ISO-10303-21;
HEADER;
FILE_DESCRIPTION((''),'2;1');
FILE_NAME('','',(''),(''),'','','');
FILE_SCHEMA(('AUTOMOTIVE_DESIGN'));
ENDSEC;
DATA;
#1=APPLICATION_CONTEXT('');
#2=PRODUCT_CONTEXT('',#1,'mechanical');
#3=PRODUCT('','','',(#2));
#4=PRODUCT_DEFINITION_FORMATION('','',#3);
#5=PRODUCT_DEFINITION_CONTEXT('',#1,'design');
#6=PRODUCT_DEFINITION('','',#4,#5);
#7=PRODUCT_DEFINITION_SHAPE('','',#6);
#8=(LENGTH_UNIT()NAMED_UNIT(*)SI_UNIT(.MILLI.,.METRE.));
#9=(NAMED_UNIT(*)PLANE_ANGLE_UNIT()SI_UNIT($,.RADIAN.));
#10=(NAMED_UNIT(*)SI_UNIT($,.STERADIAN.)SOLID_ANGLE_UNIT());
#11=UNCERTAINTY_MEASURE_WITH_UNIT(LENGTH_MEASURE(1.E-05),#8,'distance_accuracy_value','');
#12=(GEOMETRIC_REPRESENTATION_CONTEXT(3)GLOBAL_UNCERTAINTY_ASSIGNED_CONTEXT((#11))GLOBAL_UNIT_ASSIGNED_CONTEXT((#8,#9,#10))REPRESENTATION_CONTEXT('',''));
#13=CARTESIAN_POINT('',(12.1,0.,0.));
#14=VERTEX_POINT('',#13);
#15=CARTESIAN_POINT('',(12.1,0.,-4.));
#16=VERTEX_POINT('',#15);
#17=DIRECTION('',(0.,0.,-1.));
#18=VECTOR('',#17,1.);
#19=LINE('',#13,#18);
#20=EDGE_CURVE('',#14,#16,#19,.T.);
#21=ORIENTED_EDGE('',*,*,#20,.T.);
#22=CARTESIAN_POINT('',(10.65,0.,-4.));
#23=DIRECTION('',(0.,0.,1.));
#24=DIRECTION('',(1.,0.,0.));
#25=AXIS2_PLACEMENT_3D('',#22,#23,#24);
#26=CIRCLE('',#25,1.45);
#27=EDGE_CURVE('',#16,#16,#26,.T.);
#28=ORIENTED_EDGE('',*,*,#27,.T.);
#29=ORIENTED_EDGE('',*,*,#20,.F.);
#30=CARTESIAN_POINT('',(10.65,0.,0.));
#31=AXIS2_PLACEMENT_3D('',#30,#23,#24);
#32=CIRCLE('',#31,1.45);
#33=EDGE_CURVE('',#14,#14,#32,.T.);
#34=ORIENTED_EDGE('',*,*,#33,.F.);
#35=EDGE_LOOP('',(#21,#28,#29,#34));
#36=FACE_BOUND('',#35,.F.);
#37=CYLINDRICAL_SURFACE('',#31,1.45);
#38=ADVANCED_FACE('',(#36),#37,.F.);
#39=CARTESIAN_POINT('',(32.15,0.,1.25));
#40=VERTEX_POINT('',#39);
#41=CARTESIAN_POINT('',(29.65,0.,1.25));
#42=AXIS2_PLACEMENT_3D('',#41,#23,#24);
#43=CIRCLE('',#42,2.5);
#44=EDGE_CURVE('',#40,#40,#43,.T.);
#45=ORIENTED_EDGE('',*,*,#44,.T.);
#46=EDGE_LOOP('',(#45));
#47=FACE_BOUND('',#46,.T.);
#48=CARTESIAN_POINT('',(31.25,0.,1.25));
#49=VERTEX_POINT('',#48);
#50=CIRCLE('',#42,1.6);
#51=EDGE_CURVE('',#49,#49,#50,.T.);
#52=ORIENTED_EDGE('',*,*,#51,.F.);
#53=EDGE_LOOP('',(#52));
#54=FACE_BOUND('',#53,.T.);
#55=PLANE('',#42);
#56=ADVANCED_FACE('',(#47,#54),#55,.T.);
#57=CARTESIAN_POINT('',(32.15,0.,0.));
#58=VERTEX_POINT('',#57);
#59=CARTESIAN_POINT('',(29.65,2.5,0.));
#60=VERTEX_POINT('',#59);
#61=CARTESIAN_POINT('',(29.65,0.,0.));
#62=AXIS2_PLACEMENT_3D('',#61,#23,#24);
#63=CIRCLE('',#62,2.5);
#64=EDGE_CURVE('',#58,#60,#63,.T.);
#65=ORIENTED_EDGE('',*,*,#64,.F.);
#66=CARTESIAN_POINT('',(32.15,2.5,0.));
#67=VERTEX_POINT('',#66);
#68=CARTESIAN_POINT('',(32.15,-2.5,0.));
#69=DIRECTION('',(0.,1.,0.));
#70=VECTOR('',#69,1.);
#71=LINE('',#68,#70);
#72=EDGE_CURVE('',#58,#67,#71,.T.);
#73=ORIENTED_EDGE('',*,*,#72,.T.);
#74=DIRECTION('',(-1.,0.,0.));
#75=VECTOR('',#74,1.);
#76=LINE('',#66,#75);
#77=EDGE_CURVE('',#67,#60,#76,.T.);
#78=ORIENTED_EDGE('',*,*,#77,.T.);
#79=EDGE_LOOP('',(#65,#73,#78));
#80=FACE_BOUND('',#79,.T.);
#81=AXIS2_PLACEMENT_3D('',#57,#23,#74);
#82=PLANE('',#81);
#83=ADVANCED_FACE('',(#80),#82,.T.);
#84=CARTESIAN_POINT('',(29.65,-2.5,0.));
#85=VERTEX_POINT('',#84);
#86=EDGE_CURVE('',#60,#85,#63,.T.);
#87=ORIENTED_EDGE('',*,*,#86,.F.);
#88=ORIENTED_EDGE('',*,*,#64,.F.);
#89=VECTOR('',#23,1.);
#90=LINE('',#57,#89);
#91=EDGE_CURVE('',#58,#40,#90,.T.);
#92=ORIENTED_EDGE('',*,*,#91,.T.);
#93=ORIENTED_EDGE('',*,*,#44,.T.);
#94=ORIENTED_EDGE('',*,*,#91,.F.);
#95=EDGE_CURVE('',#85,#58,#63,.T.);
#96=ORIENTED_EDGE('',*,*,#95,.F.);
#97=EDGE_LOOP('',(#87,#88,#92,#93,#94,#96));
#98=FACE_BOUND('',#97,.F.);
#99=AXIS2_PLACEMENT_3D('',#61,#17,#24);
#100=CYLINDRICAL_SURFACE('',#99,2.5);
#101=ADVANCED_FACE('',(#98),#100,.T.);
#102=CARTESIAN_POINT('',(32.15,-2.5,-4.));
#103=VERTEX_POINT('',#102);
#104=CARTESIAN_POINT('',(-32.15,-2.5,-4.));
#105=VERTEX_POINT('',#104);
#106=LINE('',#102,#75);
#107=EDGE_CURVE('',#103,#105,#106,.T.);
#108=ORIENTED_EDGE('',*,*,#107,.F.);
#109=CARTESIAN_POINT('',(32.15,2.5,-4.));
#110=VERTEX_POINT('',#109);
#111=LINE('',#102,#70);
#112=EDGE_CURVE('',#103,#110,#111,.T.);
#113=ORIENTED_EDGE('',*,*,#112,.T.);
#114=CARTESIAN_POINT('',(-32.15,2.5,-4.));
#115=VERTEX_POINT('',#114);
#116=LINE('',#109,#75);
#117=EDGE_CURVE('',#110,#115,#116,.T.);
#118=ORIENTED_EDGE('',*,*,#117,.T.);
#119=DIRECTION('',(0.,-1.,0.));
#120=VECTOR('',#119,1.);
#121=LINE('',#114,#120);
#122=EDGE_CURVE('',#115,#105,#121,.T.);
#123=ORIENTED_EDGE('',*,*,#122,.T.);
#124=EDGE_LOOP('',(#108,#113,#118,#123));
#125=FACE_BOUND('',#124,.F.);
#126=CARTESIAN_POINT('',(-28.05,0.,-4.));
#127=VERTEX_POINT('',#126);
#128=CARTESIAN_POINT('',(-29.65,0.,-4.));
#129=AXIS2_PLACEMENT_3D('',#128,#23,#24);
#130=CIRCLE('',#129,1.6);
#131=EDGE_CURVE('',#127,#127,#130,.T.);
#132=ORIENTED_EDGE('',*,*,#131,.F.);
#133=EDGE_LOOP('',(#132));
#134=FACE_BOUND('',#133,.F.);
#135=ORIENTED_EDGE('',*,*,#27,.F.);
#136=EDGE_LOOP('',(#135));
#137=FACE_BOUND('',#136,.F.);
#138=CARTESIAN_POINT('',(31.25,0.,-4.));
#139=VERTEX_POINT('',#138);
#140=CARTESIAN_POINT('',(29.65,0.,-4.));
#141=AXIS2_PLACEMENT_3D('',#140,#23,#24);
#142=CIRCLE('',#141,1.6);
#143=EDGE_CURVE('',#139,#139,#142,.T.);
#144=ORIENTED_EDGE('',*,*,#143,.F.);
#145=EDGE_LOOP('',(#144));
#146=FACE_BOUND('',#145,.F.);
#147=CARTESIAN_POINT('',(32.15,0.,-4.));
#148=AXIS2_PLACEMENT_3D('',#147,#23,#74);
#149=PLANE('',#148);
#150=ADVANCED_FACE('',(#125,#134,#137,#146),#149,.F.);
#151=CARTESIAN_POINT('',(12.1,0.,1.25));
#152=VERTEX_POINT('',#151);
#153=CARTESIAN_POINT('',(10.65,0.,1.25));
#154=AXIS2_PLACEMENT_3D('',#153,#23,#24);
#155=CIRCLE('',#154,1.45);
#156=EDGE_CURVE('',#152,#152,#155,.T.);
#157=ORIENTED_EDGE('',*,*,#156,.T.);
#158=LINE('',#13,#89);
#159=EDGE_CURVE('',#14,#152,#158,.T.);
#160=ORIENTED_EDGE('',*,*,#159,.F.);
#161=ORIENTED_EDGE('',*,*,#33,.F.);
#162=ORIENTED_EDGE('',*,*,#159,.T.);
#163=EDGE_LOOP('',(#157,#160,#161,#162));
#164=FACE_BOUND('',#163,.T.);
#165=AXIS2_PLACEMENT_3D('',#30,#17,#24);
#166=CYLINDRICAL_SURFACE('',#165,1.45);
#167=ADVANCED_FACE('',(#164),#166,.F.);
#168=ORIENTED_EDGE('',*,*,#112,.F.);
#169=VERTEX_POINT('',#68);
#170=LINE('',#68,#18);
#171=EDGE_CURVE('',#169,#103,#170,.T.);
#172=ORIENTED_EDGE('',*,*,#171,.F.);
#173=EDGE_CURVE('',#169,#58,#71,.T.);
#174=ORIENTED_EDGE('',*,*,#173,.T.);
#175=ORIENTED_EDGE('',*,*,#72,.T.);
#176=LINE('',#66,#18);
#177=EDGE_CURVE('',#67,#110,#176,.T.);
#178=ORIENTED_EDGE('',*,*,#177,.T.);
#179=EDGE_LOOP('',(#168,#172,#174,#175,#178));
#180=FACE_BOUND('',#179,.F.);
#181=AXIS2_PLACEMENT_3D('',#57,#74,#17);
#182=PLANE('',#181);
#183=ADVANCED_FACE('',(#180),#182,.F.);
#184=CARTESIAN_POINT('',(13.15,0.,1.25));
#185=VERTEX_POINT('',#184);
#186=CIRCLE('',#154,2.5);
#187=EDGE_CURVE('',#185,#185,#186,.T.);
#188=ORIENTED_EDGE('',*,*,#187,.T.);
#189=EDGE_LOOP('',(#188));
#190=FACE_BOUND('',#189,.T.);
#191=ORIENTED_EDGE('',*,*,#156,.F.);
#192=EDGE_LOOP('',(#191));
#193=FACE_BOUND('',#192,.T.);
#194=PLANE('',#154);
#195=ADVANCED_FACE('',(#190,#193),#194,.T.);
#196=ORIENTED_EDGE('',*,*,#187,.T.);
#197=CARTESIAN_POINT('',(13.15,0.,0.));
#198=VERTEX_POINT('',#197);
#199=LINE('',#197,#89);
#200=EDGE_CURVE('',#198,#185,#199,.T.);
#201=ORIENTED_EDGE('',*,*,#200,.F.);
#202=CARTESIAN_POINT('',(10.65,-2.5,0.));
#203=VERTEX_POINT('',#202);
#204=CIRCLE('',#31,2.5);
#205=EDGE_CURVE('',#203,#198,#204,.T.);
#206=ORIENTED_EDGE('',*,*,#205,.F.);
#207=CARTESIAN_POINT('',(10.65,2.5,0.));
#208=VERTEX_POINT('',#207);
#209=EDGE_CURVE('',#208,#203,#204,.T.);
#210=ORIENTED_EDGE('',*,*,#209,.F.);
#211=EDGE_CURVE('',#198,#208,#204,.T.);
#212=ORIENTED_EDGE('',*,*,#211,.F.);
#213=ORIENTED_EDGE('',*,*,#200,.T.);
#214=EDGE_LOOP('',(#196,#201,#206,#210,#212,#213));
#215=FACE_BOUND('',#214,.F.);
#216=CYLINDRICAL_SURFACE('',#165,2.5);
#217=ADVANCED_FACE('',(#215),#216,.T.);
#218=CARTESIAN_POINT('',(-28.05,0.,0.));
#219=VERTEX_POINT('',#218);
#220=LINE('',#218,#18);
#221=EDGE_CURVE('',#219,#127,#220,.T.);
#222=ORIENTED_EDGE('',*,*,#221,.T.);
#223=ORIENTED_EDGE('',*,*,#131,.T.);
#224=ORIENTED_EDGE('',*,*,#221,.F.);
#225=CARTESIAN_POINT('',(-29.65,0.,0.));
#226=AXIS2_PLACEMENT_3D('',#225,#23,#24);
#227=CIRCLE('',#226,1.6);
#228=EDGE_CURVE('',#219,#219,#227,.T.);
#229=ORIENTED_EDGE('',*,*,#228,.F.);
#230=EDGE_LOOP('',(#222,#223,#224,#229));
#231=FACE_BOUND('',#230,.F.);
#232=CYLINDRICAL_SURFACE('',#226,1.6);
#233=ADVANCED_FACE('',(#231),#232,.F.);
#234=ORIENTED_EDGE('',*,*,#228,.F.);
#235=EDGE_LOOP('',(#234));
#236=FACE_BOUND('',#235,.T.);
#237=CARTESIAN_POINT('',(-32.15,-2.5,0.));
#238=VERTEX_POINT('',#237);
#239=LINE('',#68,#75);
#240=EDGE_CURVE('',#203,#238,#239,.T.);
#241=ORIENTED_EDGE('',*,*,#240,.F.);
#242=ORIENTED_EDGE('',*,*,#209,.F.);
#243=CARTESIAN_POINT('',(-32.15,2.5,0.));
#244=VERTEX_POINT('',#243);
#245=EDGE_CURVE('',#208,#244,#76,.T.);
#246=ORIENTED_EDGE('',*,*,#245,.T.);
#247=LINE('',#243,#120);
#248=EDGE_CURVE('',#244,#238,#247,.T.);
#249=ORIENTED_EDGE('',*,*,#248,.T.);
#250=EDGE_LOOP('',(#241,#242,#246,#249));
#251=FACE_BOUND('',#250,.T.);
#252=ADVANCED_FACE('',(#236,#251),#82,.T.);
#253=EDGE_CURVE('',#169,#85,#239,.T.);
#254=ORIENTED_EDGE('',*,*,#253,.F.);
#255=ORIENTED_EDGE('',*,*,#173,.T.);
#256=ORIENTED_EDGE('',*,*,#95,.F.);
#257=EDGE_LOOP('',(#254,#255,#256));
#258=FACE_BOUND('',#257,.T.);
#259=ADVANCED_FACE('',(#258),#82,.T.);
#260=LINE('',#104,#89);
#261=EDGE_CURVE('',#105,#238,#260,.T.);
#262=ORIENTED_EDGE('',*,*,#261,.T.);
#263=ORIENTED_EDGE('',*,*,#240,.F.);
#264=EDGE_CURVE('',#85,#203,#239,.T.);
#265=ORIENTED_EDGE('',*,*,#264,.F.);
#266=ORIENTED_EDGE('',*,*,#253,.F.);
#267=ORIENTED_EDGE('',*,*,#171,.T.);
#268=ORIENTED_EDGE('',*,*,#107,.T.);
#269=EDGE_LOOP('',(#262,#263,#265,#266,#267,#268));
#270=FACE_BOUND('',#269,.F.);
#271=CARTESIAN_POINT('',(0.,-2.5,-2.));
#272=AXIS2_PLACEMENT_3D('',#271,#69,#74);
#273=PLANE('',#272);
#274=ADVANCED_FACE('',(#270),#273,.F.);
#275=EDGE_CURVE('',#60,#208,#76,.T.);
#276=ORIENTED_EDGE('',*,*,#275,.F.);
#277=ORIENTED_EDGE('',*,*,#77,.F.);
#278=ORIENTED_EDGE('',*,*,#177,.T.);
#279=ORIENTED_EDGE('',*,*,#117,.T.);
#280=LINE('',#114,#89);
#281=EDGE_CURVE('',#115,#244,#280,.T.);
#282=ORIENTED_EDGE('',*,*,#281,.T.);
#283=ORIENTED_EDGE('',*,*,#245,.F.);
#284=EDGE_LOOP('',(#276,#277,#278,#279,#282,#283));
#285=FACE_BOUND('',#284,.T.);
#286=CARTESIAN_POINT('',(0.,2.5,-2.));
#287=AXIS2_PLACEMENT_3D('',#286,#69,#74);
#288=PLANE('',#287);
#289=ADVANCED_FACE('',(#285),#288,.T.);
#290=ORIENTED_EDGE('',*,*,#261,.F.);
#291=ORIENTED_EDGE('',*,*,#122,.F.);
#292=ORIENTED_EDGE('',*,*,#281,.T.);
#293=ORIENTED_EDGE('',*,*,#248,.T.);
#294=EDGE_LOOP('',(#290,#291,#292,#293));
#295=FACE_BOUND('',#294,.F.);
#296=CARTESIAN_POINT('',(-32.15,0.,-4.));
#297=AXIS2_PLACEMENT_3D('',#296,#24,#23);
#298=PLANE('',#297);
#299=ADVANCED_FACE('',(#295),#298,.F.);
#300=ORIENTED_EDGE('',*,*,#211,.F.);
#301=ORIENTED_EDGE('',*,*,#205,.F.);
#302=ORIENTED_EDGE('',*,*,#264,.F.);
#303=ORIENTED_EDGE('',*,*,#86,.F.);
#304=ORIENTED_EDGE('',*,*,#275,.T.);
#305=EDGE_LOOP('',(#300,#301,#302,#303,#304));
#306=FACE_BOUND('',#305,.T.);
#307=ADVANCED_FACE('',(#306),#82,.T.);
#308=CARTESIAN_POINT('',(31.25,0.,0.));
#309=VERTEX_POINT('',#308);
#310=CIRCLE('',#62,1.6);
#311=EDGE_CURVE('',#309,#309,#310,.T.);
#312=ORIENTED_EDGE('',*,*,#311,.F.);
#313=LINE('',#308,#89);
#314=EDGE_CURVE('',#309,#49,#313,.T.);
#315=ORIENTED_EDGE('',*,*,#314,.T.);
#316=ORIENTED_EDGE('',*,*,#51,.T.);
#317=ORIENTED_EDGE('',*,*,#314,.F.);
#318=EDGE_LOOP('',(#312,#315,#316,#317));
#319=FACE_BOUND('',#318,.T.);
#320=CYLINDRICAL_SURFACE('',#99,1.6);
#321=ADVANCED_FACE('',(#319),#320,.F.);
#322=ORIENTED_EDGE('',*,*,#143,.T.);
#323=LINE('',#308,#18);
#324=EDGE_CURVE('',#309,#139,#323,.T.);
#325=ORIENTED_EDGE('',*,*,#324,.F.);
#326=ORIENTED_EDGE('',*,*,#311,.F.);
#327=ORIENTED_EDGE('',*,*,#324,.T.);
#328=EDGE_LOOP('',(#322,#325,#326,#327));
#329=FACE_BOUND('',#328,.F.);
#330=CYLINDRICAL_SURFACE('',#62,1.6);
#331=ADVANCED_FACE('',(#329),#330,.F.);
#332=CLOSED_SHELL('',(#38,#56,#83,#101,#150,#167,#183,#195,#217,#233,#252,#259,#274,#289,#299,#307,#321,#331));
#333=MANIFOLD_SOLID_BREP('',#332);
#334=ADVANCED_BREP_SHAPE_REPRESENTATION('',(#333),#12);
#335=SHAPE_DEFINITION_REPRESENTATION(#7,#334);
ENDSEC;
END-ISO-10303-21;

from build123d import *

# Parameters (mm, degrees)
PAD_DEPTH       = 2.5
SKETCH002_R     = 1.6
SKETCH002_R_2   = 1.45
POCKET001_DEPTH = 4.001
SKETCH003_R     = 2.5
SKETCH003_R_2   = 1.45
SKETCH003_R_3   = 1.6
PAD001_DEPTH    = 1.25


with BuildPart() as part:
    # Sketch → Pad (new body, symmetric)
    with BuildSketch(Plane.XZ):
        Polygon((-27.15, 0), (27.15, 0), (32.15, 0), (32.15, -4), (-32.15, -4), (-32.15, 0), align=None)
    extrude(amount=PAD_DEPTH, both=True)

    # Sketch002 → Pocket001 (cut, through all)
    with BuildSketch(Plane.XY):
        with Locations((29.65, 0)):
            Circle(SKETCH002_R)
        with Locations((10.65, 0)):
            Circle(SKETCH002_R_2)
        with Locations((-29.65, 0)):
            Circle(SKETCH002_R)
    extrude(amount=-POCKET001_DEPTH, mode=Mode.SUBTRACT)

    # Sketch003 → Pad001 (join)
    with BuildSketch(Plane.XY):
        with Locations((10.65, 0)):
            Circle(SKETCH003_R)
        with Locations((10.65, 0)):
            Circle(SKETCH003_R_2, mode=Mode.SUBTRACT)
        with Locations((29.65, 0)):
            Circle(SKETCH003_R)
        with Locations((29.65, 0)):
            Circle(SKETCH003_R_3, mode=Mode.SUBTRACT)
    extrude(amount=PAD001_DEPTH)


solid = part.part
